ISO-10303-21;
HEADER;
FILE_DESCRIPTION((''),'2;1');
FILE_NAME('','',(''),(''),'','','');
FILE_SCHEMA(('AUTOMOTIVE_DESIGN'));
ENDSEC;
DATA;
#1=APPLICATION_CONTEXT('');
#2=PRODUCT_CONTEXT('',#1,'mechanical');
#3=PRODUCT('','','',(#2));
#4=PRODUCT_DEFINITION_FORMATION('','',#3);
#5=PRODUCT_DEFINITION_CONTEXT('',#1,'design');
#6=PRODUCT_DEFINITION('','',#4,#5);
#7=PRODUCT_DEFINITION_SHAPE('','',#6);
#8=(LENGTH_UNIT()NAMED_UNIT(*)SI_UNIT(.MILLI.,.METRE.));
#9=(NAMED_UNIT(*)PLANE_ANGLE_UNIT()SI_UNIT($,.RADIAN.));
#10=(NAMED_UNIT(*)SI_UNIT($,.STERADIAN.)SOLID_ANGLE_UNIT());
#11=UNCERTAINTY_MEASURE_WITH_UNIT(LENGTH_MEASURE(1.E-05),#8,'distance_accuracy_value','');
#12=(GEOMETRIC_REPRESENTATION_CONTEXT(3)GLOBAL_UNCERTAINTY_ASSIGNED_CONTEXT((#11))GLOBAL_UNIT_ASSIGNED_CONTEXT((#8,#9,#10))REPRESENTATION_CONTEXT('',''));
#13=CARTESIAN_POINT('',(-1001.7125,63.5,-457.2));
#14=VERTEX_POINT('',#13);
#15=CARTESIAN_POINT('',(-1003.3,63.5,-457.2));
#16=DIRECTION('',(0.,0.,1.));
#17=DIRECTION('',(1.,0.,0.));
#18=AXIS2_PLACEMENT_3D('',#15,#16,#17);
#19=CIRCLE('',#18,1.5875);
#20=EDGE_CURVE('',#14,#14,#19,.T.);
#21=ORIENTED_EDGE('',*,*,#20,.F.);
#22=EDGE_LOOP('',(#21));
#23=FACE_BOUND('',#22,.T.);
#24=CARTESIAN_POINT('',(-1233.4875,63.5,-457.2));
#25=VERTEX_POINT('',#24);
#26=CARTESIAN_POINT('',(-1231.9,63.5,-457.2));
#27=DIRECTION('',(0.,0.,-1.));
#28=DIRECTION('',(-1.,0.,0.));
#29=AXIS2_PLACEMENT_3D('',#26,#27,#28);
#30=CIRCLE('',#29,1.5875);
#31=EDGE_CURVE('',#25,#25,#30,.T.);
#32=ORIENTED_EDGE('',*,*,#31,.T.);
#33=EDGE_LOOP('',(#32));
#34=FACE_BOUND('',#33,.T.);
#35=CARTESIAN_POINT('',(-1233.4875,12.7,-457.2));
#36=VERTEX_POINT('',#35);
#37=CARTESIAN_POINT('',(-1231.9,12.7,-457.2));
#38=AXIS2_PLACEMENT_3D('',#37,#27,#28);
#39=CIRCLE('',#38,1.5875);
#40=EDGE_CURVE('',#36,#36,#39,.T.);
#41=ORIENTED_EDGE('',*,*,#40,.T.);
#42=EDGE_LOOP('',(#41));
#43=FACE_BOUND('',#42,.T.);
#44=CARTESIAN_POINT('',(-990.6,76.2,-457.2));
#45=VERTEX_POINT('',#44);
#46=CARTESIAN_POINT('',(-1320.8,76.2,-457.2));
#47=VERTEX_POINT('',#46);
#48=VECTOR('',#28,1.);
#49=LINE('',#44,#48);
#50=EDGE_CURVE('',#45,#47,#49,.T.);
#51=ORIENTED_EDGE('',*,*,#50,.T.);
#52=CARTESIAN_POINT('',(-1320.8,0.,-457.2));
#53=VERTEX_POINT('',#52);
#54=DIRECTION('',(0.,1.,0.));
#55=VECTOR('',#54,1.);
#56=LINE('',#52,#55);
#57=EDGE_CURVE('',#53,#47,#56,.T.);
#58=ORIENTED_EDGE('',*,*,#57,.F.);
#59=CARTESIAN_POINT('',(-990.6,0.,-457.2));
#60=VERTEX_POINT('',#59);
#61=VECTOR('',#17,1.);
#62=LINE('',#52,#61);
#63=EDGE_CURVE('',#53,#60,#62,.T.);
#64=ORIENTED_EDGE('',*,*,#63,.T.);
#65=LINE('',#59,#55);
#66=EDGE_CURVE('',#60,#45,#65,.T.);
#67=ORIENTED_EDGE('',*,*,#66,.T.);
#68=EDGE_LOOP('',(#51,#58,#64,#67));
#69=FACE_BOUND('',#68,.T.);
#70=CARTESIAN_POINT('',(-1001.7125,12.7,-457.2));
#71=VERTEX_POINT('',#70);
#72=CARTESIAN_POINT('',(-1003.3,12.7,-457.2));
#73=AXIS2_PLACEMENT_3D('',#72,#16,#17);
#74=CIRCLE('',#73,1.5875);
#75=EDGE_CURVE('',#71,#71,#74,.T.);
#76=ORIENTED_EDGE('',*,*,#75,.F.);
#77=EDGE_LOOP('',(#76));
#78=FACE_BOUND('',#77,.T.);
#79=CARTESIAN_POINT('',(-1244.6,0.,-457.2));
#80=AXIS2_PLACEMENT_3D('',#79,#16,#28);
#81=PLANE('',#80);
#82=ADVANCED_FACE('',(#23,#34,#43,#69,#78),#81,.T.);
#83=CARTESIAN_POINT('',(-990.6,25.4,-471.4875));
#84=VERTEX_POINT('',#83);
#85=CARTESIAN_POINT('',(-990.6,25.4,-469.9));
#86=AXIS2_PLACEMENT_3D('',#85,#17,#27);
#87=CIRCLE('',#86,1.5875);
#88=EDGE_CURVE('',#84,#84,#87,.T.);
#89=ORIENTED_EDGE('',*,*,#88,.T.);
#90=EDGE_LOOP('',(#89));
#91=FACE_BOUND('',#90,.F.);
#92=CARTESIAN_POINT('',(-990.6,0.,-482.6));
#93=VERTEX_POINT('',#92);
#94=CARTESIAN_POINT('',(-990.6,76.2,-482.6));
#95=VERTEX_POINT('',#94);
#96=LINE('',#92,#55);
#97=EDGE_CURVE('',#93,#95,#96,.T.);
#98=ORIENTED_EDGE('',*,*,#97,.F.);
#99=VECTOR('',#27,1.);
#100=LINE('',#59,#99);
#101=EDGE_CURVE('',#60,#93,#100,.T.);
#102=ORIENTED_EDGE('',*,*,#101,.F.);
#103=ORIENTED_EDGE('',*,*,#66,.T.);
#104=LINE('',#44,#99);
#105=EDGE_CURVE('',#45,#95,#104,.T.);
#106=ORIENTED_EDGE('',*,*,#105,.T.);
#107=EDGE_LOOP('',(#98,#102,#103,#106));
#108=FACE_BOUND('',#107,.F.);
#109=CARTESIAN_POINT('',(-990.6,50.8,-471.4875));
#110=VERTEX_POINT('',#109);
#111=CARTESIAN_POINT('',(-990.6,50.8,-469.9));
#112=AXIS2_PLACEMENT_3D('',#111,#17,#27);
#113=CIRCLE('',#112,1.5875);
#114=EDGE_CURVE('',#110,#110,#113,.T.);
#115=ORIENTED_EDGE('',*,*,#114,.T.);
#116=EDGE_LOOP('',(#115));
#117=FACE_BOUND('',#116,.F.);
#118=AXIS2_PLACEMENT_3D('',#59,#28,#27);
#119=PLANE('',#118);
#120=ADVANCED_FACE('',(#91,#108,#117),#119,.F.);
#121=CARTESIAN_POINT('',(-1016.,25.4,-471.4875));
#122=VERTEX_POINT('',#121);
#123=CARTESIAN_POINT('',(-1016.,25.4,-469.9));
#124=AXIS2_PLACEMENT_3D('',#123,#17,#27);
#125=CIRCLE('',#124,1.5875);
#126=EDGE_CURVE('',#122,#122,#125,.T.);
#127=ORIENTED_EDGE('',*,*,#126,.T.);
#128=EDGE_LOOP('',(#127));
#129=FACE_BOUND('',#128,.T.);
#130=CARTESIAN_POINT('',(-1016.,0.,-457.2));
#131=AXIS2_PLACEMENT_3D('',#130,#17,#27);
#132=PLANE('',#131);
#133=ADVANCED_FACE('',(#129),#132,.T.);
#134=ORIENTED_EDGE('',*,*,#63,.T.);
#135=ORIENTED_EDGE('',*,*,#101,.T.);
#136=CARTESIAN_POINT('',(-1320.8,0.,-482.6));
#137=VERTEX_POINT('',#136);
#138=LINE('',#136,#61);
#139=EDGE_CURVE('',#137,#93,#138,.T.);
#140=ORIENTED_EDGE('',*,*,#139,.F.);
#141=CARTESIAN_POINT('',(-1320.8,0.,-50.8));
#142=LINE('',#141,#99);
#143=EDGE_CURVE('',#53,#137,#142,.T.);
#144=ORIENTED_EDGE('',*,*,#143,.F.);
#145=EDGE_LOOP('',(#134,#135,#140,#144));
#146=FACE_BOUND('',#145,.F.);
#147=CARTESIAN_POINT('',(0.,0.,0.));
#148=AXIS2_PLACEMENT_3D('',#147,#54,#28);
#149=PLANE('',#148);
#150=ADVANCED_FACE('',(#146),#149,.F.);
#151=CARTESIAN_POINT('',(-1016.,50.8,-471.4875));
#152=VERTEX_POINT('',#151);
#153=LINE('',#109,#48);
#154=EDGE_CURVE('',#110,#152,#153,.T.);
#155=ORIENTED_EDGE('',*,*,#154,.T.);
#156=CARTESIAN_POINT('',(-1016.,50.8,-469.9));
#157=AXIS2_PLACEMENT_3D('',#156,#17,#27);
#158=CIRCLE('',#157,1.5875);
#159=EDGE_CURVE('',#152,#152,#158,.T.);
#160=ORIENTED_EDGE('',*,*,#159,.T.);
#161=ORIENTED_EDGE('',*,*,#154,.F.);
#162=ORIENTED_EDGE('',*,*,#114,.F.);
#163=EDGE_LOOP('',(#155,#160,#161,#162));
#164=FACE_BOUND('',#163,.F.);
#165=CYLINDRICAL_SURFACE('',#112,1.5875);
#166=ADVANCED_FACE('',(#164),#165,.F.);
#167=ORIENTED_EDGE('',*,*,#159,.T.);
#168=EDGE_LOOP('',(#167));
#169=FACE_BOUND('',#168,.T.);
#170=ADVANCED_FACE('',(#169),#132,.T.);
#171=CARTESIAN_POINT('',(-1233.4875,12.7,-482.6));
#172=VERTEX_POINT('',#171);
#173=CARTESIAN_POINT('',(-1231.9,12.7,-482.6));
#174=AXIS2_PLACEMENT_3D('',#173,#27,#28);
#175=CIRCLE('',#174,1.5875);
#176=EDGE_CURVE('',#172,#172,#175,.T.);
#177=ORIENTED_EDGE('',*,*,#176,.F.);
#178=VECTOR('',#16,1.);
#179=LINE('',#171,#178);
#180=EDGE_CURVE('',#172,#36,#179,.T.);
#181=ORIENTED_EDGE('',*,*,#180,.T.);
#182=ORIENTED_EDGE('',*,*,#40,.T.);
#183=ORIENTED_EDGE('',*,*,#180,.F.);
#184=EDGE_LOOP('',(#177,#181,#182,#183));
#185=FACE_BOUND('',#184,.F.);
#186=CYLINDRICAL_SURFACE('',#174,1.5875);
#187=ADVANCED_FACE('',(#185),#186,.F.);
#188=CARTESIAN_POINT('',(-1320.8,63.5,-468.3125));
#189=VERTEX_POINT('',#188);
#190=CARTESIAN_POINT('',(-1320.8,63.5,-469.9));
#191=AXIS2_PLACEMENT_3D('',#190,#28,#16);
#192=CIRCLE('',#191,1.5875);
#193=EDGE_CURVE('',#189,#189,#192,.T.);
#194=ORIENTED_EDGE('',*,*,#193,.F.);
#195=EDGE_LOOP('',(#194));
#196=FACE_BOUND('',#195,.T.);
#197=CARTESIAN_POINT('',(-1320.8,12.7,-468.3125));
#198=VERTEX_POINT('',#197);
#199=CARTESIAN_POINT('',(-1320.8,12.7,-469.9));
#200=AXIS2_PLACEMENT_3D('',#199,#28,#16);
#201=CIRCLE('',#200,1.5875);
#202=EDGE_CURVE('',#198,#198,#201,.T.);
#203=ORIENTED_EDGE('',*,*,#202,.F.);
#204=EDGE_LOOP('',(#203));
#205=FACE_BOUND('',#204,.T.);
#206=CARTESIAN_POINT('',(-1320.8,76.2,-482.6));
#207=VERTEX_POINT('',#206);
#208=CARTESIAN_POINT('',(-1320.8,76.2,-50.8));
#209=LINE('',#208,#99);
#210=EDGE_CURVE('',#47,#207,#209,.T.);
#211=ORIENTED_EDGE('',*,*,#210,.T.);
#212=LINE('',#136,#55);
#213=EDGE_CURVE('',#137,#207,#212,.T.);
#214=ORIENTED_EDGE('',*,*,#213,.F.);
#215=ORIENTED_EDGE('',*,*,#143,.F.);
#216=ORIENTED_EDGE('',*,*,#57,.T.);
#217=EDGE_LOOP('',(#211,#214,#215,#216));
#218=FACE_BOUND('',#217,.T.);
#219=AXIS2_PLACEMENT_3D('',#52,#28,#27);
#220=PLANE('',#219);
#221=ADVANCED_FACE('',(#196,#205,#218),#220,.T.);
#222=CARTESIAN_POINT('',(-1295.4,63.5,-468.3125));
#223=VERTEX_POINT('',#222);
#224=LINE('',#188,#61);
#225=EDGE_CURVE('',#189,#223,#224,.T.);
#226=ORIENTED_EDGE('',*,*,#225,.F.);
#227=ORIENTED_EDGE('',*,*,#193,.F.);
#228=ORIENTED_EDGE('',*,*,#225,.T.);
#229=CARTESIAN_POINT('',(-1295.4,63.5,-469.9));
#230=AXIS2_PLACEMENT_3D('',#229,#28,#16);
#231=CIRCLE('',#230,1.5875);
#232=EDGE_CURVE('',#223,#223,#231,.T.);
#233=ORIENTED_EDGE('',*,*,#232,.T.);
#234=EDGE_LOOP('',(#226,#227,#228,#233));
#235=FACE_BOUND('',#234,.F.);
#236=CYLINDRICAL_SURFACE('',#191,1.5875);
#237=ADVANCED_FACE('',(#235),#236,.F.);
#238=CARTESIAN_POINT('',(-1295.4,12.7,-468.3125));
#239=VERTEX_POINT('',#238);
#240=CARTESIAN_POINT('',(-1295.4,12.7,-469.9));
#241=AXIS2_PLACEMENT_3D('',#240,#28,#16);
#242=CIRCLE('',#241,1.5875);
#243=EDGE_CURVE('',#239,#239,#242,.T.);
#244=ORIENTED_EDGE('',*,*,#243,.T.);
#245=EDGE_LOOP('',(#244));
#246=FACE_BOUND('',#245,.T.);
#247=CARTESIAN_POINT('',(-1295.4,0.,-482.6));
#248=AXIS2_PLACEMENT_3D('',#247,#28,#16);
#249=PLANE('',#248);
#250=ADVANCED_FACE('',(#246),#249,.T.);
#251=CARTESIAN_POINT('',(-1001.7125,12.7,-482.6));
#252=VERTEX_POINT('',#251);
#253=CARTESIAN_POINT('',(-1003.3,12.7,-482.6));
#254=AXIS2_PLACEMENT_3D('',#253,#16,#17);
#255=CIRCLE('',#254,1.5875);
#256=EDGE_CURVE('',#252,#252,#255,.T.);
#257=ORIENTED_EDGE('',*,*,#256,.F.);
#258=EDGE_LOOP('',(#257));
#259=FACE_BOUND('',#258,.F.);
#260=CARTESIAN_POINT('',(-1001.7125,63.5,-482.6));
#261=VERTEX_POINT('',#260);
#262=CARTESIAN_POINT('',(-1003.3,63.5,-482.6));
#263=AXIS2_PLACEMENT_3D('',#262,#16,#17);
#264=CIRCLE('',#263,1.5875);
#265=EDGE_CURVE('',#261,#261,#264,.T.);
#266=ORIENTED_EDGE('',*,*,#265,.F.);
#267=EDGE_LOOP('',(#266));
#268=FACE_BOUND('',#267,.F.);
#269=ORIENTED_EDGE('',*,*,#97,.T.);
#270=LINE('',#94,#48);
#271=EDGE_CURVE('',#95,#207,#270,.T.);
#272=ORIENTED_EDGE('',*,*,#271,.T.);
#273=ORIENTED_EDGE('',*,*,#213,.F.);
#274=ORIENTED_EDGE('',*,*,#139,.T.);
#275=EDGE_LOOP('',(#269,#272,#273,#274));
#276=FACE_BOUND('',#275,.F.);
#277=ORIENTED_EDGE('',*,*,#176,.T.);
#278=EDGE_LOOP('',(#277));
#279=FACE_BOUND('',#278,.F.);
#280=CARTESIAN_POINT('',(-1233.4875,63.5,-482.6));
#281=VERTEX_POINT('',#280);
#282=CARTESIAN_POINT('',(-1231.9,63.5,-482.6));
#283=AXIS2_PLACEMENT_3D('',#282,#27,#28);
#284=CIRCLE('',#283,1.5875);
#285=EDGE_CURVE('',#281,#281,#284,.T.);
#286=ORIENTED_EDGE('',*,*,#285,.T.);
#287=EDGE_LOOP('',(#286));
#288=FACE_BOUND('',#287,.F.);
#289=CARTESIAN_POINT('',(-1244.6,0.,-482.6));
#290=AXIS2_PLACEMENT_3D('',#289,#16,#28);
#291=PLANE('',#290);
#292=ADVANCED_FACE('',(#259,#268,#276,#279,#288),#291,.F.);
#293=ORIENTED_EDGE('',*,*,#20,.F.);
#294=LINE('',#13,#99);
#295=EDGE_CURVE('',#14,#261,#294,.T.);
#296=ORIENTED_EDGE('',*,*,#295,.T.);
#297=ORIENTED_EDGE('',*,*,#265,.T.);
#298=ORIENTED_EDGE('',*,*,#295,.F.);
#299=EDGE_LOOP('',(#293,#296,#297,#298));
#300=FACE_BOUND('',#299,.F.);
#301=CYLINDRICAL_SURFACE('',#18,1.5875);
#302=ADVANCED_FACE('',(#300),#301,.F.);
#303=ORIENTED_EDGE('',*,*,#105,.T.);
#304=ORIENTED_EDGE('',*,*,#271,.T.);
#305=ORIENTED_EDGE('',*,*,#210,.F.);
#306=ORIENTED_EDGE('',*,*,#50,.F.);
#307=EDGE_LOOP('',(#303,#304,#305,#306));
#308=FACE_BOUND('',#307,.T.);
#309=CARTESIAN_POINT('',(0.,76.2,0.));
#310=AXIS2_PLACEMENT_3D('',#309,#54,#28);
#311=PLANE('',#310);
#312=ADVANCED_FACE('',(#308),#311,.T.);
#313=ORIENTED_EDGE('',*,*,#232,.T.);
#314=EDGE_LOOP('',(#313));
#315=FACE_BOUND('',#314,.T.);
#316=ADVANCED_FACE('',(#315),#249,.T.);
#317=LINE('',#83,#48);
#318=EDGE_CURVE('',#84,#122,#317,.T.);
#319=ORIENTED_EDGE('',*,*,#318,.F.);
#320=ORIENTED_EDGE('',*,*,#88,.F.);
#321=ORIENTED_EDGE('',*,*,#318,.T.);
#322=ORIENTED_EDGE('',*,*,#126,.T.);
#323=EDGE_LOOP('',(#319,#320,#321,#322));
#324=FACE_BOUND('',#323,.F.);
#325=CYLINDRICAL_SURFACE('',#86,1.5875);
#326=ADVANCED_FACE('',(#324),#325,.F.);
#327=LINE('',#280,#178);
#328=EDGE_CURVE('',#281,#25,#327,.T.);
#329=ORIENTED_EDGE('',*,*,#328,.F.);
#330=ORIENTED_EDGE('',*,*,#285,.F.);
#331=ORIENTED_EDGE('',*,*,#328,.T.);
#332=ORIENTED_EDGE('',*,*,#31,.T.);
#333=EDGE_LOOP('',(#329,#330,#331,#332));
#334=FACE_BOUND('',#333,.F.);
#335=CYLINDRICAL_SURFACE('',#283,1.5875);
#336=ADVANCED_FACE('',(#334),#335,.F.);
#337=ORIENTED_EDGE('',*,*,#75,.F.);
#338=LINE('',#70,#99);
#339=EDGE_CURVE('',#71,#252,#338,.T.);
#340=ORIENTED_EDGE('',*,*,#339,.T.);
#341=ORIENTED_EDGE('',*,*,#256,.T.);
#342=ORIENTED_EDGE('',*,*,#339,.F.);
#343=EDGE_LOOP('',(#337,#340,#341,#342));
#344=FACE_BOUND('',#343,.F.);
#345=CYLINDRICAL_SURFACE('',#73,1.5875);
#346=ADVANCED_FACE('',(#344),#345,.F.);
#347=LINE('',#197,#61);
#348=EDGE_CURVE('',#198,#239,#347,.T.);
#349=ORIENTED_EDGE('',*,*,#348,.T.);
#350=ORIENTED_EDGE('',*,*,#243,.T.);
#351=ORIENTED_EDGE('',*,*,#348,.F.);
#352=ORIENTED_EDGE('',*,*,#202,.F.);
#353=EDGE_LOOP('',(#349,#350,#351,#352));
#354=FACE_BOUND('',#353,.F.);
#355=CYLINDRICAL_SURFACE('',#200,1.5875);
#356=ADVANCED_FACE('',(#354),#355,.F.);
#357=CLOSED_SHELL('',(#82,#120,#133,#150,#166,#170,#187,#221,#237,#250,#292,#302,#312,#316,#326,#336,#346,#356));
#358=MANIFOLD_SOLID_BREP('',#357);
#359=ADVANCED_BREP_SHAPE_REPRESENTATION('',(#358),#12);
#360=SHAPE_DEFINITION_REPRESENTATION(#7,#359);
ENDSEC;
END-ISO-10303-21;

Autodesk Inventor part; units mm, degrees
ref_plane "YZ Plane" through (0, 0, 0) normal (1, 0, 0) x (0, 1, 0)
ref_plane "XZ Plane" through (0, 0, 0) normal (0, 1, 0) x (-1, 0, 0)
ref_plane "XY Plane" through (0, 0, 0) normal (0, 0, 1) x (1, 0, 0)
sketch "Sketch1" plane through (0, 0, 0) normal (0, 1, 0) x (-1, 0, 0)
  line L0 (6.35, 0) -> (1365.25, 0)
  line L1 (1371.6, -6.35) -> (1371.6, -1365.25)
  line L2 (1365.25, -1371.6) -> (6.35, -1371.6)
  line L3 (0, -1365.25) -> (0, -6.35)
  line L4 (1346.2, -1346.2) -> (1346.2, -25.4)
  line L5 (1346.2, -25.4) -> (25.4, -25.4)
  line L6 (25.4, -25.4) -> (25.4, -1346.2)
  line L7 (25.4, -1346.2) -> (1346.2, -1346.2)
  line L8 (1320.8, -50.8) -> (1320.8, -1320.8)
  line L9 (1320.8, -1320.8) -> (50.8, -1320.8)
  line L10 (50.8, -1320.8) -> (50.8, -50.8)
  line L11 (50.8, -50.8) -> (1320.8, -50.8)
  line L12 (1320.8, -50.8) -> (1346.2, -25.4)
  line L13 (1320.8, -1320.8) -> (1346.2, -1346.2)
  line L14 (50.8, -1320.8) -> (25.4, -1346.2)
  line L15 (50.8, -50.8) -> (25.4, -25.4)
  line L16 (1219.2, -482.6) -> (1016, -482.6)
  line L17 (1016, -482.6) -> (1016, -889)
  line L18 (1016, -889) -> (1219.2, -889)
  line L19 (1219.2, -889) -> (1219.2, -482.6)
  line L20 (355.6, -482.6) -> (152.4, -482.6)
  line L21 (152.4, -482.6) -> (152.4, -889)
  line L22 (152.4, -889) -> (355.6, -889)
  line L23 (355.6, -889) -> (355.6, -482.6)
  line L24 (889, -1016) -> (482.6, -1016)
  line L25 (482.6, -1016) -> (482.6, -1219.2)
  line L26 (482.6, -1219.2) -> (889, -1219.2)
  line L27 (889, -1219.2) -> (889, -1016)
  line L28 (889, -152.4) -> (482.6, -152.4)
  line L29 (482.6, -152.4) -> (482.6, -355.6)
  line L30 (482.6, -355.6) -> (889, -355.6)
  line L31 (889, -355.6) -> (889, -152.4)
  circle A0 centre (685.8, -685.8) radius 254
  line L32 (889, -127) -> (482.6, -127)
  line L33 (457.2, -127) -> (457.2, -381)
  line L34 (457.2, -381) -> (914.4, -381)
  line L35 (914.4, -381) -> (914.4, -127)
  line L36 (1244.6, -457.2) -> (990.6, -457.2)
  line L37 (990.6, -457.2) -> (990.6, -914.4)
  line L38 (990.6, -914.4) -> (1244.6, -914.4)
  line L39 (1244.6, -889) -> (1244.6, -482.6)
  line L40 (914.4, -990.6) -> (457.2, -990.6)
  line L41 (457.2, -990.6) -> (457.2, -1244.6)
  line L42 (482.6, -1244.6) -> (889, -1244.6)
  line L43 (914.4, -1244.6) -> (914.4, -990.6)
  line L44 (381, -457.2) -> (127, -457.2)
  line L45 (127, -482.6) -> (127, -889)
  line L46 (127, -914.4) -> (381, -914.4)
  line L47 (381, -914.4) -> (381, -457.2)
  line L48 (152.4, -482.6) -> (50.8, -482.6)
  line L49 (127, -457.2) -> (50.8, -457.2)
  line L50 (152.4, -889) -> (50.8, -889)
  line L51 (127, -914.4) -> (50.8, -914.4)
  line L52 (355.6, -889) -> (381, -889)
  line L53 (355.6, -482.6) -> (381, -482.6)
  line L54 (457.2, -1244.6) -> (457.2, -1320.8)
  line L55 (482.6, -1219.2) -> (482.6, -1320.8)
  line L56 (889, -1219.2) -> (889, -1320.8)
  line L57 (914.4, -1244.6) -> (914.4, -1320.8)
  line L58 (1244.6, -914.4) -> (1320.8, -914.4)
  line L59 (1219.2, -889) -> (1320.8, -889)
  line L60 (1219.2, -482.6) -> (1320.8, -482.6)
  line L61 (1244.6, -457.2) -> (1320.8, -457.2)
  line L62 (889, -152.4) -> (889, -50.8)
  line L63 (914.4, -127) -> (914.4, -50.8)
  line L64 (482.6, -152.4) -> (482.6, -50.8)
  line L65 (457.2, -127) -> (457.2, -50.8)
  line L66 (889, -1016) -> (889, -990.6)
  line L67 (482.6, -1016) -> (482.6, -990.6)
  line L68 (1016, -889) -> (990.6, -889)
  line L69 (1016, -482.6) -> (990.6, -482.6)
  line L70 (889, -355.6) -> (889, -381)
  line L71 (482.6, -355.6) -> (482.6, -381)
  line L72 (914.4, -381) -> (990.6, -457.2)
  line L73 (990.6, -482.6) -> (889, -381)
  line L74 (990.6, -914.4) -> (914.4, -990.6)
  line L75 (889, -990.6) -> (990.6, -889)
  line L76 (381, -914.4) -> (457.2, -990.6)
  line L77 (482.6, -990.6) -> (381, -889)
  line L78 (457.2, -381) -> (381, -457.2)
  line L79 (482.6, -381) -> (381, -482.6)
  line L80 (1257.3, -50.8) -> (1320.8, -114.3)
  line L81 (1320.8, -1257.3) -> (1257.3, -1320.8)
  line L82 (50.8, -1257.3) -> (114.3, -1320.8)
  line L83 (50.8, -114.3) -> (114.3, -50.8)
  line L84 (68.7605, -132.2605) -> (132.2605, -68.7605)
  line L85 (68.7605, -1239.3395) -> (132.2605, -1302.8395)
  line L86 (1302.8395, -1239.3395) -> (1239.3395, -1302.8395)
  line L87 (1239.3395, -68.7605) -> (1302.8395, -132.2605)
  line L88 (1302.8395, -132.2605) -> (1320.8, -150.221)
  line L89 (1239.3395, -68.7605) -> (1221.379, -50.8)
  line L90 (1302.8395, -1239.3395) -> (1320.8, -1221.379)
  line L91 (1239.3395, -1302.8395) -> (1221.379, -1320.8)
  line L92 (132.2605, -1302.8395) -> (150.221, -1320.8)
  line L93 (68.7605, -1239.3395) -> (50.8, -1221.379)
  line L94 (132.2605, -68.7605) -> (150.221, -50.8)
  line L95 (68.7605, -132.2605) -> (50.8, -150.221)
  line L96 (1365.25, 0) -> (1371.6, -6.35)
  line L97 (1371.6, -1365.25) -> (1365.25, -1371.6)
  line L98 (6.35, -1371.6) -> (0, -1365.25)
  line L99 (6.35, 0) -> (0, -6.35)
  point P0 (0, 0)
  point P1 (1371.6, -1371.6)
  point P2 (1371.6, 0)
  point P3 (0, -1371.6)
  dimension "d0" = 1371.6
  dimension "d1" = 1371.6
  dimension "d2" = 25.4
  dimension "d3" = 25.4
  dimension "d4" = 203.2
  dimension "d5" = 406.4
  dimension "d6" = 203.2
  dimension "d7" = 406.4
  dimension "d8" = 406.4
  dimension "d9" = 203.2
  dimension "d10" = 406.4
  dimension "d11" = 203.2
  dimension "d12" = 101.6
  dimension "d13" = 101.6
  dimension "d14" = 101.6
  dimension "d15" = 101.6
  dimension "d16" = 431.8
  dimension "d17" = 431.8
  dimension "d18" = 431.8
  dimension "d19" = 431.8
  dimension "d20" = 508
  dimension "d21" = 25.4
  dimension "d22" = 25.4
  dimension "d23" = 25.4
  dimension "d24" = 25.4
  dimension "d25" = 45
  dimension "d26" = 63.5
  dimension "d27" = 45
  dimension "d28" = 45
  dimension "d29" = 45
  dimension "d30" = 25.4
  dimension "d31" = 25.4
  dimension "d32" = 25.4
  dimension "d33" = 25.4
  dimension "d34" = 6.35
  dimension "d35" = 6.35
  dimension "d36" = 6.35
  dimension "d37" = 6.35
  dimension "d38" = 6.35
  dimension "d39" = 6.35
  dimension "d40" = 6.35
  dimension "d41" = 6.35
extrude "Extrusion1" add sketch "Sketch1" along normal blind 76.2 contours L8 L60 L16 L69 L37 L36 L61
sketch "Sketch2" plane through (-1320.8, 0, -482.6) normal (-1, 0, 0) x (0, 0, 1)
  circle A0 centre (12.7, 12.7) radius 1.5875
  circle A1 centre (12.7, 63.5) radius 1.5875
  line L0 (0, 0) -> (0, 76.2) projected
  line L1 (0, 76.2) -> (25.4, 76.2) projected
  line L2 (0, 0) -> (25.4, 0) projected
  point P0 (482.6, 0)
  dimension "d44" = 3.175
  dimension "d45" = 3.175
  dimension "d46" = 12.7
  dimension "d47" = 12.7
  dimension "d48" = 12.7
  dimension "d49" = 12.7
extrude "Extrusion2" cut sketch "Sketch2" against normal blind 25.4
sketch "Sketch3" plane through (-1320.8, 0, -457.2) normal (0, 0, 1) x (1, 0, 0)
  circle A0 centre (317.5, 63.5) radius 1.5875
  circle A1 centre (317.5, 12.7) radius 1.5875
  line L0 (330.2, 0) -> (330.2, 76.2) projected
  line L1 (0, 76.2) -> (330.2, 76.2) projected
  line L2 (0, 0) -> (330.2, 0) projected
  point P0 (1320.8, 0)
  dimension "d52" = 3.175
  dimension "d53" = 3.175
  dimension "d54" = 12.7
  dimension "d55" = 12.7
  dimension "d56" = 12.7
  dimension "d57" = 12.7
extrude "Extrusion3" cut sketch "Sketch3" against normal blind 50.8
sketch "Sketch4" plane through (-990.6, 0, -457.2) normal (1, 0, 0) x (0, 0, -1)
  circle A0 centre (12.7, 50.8) radius 1.5875
  circle A1 centre (12.7, 25.4) radius 1.5875
  line L0 (25.4, 0) -> (25.4, 76.2) projected
  line L1 (0, 0) -> (25.4, 0) projected
  line L2 (0, 76.2) -> (25.4, 76.2) projected
  point P0 (-457.2, 0)
  dimension "d60" = 3.175
  dimension "d61" = 3.175
  dimension "d62" = 12.7
  dimension "d63" = 12.7
  dimension "d64" = 25.4
  dimension "d65" = 25.4
extrude "Extrusion4" cut sketch "Sketch4" against normal blind 25.4
sketch "Sketch5" plane through (-990.6, 0, -482.6) normal (0, 0, -1) x (-1, 0, 0)
  line L0 (228.6, 0) -> (228.6, 76.2)
  line L1 (0, 76.2) -> (330.2, 76.2) projected
  line L2 (254, 0) -> (254, 76.2)
  circle A0 centre (241.3, 63.5) radius 1.5875
  circle A1 centre (241.3, 12.7) radius 1.5875
  line L3 (0, 0) -> (330.2, 0) projected
  point P0 (-990.6, 0)
  point P1 (228.6, 0)
  point P2 (254, 0)
  dimension "d68" = 3.175
  dimension "d69" = 3.175
  dimension "d70" = 12.7
  dimension "d71" = 12.7
  dimension "d72" = 12.7
  dimension "d73" = 12.7
extrude "Extrusion5" cut sketch "Sketch5" against normal blind 76.2 contours A0 | A1
equation "\"d35\" = d34"
equation "\"d36\" = d34"
equation "\"d37\" = d36"
equation "\"d38\" = d34"
equation "\"d39\" = d38"
equation "\"d40\" = d34"
equation "\"d41\" = d40"
properties part number "Secondary frame for drawrs long piece X8"
